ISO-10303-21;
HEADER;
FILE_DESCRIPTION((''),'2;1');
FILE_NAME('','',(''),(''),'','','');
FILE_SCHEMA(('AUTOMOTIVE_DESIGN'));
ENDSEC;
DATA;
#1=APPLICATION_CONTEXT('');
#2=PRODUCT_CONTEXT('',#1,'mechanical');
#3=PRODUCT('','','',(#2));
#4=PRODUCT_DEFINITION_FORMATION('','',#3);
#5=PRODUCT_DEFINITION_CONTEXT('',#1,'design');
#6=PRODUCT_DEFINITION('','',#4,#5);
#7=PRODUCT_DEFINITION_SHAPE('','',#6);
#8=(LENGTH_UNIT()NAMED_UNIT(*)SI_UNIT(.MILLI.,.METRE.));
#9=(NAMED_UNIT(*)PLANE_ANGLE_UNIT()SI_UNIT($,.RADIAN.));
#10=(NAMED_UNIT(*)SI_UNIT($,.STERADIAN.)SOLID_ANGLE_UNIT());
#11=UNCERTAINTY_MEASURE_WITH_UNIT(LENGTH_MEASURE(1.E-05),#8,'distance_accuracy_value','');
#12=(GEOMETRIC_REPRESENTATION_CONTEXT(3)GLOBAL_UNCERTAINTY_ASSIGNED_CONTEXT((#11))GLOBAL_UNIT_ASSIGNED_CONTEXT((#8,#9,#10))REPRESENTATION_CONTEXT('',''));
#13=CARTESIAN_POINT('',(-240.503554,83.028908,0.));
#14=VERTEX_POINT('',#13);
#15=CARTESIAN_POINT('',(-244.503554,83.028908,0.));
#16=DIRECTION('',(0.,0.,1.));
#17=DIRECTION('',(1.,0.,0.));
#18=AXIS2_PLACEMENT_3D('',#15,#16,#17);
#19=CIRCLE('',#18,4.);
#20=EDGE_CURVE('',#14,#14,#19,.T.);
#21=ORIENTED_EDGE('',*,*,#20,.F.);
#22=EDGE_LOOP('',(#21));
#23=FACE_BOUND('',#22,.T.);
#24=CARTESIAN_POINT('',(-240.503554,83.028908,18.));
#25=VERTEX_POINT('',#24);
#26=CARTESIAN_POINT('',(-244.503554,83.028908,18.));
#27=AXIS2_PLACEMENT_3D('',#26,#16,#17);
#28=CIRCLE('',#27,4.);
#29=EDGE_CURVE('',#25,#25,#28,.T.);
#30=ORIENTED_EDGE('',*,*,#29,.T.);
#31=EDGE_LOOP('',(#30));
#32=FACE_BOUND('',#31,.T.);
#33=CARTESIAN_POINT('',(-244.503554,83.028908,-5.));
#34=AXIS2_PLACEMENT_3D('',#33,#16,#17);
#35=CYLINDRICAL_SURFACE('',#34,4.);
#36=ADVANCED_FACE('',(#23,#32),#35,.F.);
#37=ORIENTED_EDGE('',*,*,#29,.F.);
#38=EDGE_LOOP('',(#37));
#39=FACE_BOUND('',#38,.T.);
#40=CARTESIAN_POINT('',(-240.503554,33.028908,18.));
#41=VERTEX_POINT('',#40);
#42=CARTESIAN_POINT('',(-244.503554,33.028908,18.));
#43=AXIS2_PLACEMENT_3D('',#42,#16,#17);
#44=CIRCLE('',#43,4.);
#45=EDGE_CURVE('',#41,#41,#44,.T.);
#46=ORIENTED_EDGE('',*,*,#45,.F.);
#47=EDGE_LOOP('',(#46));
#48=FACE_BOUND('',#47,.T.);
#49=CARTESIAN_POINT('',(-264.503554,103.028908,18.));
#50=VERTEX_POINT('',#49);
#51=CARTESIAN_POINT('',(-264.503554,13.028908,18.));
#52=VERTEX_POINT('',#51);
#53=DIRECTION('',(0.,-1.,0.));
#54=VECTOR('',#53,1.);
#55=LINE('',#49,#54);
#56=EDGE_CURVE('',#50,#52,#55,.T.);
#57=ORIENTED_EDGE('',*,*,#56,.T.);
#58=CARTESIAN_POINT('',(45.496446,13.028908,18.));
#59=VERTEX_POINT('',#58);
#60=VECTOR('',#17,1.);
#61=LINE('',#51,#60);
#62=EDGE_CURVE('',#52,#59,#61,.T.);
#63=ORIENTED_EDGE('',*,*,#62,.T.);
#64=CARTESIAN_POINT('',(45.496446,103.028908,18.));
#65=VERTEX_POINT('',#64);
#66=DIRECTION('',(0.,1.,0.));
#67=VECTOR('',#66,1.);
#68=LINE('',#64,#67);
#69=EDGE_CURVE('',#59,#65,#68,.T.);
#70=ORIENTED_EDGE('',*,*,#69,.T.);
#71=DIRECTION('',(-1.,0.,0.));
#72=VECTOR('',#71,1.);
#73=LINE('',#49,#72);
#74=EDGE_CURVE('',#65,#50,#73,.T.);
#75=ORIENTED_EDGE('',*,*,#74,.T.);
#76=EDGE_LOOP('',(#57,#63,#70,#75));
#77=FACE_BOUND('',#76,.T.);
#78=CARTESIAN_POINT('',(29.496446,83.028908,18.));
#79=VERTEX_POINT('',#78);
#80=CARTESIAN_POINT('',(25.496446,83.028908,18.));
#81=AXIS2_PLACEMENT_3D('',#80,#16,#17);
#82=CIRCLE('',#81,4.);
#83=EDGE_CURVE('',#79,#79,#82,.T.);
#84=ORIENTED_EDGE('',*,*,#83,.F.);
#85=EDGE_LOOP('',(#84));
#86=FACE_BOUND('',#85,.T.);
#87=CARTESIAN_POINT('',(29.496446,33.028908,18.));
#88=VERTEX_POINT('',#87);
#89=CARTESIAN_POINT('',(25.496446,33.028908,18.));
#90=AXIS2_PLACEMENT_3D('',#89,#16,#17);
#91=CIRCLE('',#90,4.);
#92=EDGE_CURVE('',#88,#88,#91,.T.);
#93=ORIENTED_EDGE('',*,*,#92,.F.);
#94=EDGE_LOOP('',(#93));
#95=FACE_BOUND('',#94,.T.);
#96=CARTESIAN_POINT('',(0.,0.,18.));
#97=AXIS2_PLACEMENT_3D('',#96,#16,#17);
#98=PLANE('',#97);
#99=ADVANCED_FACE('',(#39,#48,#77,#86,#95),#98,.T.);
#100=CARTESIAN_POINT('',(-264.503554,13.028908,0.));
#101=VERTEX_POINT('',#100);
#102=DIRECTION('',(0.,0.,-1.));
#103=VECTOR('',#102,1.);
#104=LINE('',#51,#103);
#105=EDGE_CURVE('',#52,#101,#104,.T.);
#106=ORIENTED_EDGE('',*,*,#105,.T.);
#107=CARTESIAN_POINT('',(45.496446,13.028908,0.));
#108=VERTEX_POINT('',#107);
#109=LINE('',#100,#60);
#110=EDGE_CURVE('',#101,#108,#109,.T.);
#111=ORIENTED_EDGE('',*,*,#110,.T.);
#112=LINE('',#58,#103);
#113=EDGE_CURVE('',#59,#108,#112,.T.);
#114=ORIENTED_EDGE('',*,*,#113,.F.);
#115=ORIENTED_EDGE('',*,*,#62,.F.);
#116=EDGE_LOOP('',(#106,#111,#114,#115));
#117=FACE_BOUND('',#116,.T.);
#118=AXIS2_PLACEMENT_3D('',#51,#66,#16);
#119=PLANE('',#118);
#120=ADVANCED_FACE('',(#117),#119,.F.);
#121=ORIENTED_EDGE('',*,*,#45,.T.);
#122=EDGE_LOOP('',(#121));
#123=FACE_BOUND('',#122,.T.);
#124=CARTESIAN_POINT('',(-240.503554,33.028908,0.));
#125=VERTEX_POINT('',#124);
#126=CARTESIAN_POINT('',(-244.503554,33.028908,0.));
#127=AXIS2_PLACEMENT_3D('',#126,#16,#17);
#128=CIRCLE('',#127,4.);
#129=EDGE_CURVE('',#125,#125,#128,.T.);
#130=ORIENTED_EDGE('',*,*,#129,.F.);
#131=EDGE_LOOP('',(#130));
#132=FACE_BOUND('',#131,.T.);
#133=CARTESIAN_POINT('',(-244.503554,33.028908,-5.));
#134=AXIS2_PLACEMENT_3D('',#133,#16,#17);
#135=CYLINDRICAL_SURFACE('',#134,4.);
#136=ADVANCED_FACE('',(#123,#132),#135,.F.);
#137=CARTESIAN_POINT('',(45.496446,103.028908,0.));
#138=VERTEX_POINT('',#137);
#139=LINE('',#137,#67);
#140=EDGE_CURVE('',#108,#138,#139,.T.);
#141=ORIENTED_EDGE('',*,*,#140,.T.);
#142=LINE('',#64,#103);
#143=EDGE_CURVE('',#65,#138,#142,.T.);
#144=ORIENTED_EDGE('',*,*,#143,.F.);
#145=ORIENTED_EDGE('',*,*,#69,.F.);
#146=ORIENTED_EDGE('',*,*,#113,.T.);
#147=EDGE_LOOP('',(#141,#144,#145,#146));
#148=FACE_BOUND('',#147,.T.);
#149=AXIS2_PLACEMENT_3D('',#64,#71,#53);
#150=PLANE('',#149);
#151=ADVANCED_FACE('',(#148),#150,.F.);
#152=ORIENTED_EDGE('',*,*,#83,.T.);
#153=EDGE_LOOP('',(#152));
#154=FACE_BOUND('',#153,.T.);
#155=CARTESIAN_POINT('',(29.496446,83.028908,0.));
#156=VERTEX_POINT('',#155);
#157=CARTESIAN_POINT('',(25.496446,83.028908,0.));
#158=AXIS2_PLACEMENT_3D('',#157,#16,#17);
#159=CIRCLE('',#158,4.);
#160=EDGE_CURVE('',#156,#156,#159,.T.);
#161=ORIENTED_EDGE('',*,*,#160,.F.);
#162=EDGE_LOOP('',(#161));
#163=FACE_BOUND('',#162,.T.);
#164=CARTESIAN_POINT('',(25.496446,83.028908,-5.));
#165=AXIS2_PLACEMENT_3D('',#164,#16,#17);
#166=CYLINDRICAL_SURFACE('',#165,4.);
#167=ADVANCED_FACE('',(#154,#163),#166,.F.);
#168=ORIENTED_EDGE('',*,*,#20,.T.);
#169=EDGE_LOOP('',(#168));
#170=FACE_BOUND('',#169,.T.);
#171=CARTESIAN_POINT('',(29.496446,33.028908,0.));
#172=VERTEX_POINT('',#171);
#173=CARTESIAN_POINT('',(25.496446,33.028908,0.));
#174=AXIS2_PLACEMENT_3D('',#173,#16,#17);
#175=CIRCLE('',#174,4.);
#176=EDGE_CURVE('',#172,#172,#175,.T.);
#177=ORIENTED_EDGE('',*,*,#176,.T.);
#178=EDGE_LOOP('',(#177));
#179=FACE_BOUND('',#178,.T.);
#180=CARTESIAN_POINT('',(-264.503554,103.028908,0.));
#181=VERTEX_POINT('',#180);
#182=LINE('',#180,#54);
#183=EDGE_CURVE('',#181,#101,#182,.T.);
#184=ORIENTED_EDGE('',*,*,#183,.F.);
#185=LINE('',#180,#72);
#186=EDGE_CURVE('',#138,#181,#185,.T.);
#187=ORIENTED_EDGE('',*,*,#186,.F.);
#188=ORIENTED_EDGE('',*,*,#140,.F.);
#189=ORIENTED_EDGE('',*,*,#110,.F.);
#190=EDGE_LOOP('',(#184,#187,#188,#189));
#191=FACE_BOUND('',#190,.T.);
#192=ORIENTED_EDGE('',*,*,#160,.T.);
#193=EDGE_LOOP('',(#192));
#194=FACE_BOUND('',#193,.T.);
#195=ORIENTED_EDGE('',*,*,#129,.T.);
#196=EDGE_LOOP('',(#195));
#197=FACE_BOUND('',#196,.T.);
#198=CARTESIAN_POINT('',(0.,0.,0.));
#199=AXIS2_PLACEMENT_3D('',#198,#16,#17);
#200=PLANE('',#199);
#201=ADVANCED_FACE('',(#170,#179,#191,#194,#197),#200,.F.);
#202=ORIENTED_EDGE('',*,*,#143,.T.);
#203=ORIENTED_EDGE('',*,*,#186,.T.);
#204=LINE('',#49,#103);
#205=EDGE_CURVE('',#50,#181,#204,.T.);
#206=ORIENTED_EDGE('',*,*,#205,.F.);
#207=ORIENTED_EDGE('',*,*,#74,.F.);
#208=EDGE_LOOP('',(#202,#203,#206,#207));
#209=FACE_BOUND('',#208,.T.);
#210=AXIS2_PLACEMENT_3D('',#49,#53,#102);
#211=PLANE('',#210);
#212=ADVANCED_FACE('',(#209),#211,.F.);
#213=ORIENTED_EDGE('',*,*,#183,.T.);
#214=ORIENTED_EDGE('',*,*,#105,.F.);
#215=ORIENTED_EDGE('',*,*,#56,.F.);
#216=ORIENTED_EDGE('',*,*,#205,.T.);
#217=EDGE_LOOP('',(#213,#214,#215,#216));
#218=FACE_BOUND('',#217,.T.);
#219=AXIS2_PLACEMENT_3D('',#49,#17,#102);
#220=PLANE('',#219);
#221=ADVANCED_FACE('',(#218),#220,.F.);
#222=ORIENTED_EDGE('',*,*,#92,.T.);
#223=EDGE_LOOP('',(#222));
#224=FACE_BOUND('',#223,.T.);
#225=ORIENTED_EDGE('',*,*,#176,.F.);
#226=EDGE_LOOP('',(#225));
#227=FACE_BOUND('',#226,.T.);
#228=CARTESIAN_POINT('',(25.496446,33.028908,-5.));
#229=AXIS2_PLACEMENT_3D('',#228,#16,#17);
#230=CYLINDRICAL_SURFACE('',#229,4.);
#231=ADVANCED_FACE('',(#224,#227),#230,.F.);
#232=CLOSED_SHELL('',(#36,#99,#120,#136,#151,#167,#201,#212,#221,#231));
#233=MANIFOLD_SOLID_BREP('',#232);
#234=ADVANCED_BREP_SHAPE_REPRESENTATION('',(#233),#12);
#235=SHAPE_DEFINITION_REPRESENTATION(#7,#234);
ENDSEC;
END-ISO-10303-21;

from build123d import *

# Parameters (mm, degrees)
SKETCH1_W           = 310
SKETCH1_H           = 90
BOSS_EXTRUDE1_DEPTH = 18
SKETCH2_R           = 4
CUT_EXTRUDE1_DEPTH  = 23


with BuildPart() as part:
    # Sketch1 → Boss-Extrude1 (new body)
    with BuildSketch(Plane.XY):
        with Locations((-109.503554368, 58.028908165)):
            Rectangle(SKETCH1_W, SKETCH1_H)
    extrude(amount=BOSS_EXTRUDE1_DEPTH)

    # Sketch2 → Cut-Extrude1 (cut)
    with BuildSketch(Plane.XY.offset(18)):
        with Locations((-244.503554368, 33.028908165)):
            Circle(SKETCH2_R)
        with Locations((25.496445632, 33.028908165)):
            Circle(SKETCH2_R)
        with Locations((25.496445632, 83.028908165)):
            Circle(SKETCH2_R)
        with Locations((-244.503554368, 83.028908165)):
            Circle(SKETCH2_R)
    extrude(amount=-CUT_EXTRUDE1_DEPTH, mode=Mode.SUBTRACT)


solid = part.part
